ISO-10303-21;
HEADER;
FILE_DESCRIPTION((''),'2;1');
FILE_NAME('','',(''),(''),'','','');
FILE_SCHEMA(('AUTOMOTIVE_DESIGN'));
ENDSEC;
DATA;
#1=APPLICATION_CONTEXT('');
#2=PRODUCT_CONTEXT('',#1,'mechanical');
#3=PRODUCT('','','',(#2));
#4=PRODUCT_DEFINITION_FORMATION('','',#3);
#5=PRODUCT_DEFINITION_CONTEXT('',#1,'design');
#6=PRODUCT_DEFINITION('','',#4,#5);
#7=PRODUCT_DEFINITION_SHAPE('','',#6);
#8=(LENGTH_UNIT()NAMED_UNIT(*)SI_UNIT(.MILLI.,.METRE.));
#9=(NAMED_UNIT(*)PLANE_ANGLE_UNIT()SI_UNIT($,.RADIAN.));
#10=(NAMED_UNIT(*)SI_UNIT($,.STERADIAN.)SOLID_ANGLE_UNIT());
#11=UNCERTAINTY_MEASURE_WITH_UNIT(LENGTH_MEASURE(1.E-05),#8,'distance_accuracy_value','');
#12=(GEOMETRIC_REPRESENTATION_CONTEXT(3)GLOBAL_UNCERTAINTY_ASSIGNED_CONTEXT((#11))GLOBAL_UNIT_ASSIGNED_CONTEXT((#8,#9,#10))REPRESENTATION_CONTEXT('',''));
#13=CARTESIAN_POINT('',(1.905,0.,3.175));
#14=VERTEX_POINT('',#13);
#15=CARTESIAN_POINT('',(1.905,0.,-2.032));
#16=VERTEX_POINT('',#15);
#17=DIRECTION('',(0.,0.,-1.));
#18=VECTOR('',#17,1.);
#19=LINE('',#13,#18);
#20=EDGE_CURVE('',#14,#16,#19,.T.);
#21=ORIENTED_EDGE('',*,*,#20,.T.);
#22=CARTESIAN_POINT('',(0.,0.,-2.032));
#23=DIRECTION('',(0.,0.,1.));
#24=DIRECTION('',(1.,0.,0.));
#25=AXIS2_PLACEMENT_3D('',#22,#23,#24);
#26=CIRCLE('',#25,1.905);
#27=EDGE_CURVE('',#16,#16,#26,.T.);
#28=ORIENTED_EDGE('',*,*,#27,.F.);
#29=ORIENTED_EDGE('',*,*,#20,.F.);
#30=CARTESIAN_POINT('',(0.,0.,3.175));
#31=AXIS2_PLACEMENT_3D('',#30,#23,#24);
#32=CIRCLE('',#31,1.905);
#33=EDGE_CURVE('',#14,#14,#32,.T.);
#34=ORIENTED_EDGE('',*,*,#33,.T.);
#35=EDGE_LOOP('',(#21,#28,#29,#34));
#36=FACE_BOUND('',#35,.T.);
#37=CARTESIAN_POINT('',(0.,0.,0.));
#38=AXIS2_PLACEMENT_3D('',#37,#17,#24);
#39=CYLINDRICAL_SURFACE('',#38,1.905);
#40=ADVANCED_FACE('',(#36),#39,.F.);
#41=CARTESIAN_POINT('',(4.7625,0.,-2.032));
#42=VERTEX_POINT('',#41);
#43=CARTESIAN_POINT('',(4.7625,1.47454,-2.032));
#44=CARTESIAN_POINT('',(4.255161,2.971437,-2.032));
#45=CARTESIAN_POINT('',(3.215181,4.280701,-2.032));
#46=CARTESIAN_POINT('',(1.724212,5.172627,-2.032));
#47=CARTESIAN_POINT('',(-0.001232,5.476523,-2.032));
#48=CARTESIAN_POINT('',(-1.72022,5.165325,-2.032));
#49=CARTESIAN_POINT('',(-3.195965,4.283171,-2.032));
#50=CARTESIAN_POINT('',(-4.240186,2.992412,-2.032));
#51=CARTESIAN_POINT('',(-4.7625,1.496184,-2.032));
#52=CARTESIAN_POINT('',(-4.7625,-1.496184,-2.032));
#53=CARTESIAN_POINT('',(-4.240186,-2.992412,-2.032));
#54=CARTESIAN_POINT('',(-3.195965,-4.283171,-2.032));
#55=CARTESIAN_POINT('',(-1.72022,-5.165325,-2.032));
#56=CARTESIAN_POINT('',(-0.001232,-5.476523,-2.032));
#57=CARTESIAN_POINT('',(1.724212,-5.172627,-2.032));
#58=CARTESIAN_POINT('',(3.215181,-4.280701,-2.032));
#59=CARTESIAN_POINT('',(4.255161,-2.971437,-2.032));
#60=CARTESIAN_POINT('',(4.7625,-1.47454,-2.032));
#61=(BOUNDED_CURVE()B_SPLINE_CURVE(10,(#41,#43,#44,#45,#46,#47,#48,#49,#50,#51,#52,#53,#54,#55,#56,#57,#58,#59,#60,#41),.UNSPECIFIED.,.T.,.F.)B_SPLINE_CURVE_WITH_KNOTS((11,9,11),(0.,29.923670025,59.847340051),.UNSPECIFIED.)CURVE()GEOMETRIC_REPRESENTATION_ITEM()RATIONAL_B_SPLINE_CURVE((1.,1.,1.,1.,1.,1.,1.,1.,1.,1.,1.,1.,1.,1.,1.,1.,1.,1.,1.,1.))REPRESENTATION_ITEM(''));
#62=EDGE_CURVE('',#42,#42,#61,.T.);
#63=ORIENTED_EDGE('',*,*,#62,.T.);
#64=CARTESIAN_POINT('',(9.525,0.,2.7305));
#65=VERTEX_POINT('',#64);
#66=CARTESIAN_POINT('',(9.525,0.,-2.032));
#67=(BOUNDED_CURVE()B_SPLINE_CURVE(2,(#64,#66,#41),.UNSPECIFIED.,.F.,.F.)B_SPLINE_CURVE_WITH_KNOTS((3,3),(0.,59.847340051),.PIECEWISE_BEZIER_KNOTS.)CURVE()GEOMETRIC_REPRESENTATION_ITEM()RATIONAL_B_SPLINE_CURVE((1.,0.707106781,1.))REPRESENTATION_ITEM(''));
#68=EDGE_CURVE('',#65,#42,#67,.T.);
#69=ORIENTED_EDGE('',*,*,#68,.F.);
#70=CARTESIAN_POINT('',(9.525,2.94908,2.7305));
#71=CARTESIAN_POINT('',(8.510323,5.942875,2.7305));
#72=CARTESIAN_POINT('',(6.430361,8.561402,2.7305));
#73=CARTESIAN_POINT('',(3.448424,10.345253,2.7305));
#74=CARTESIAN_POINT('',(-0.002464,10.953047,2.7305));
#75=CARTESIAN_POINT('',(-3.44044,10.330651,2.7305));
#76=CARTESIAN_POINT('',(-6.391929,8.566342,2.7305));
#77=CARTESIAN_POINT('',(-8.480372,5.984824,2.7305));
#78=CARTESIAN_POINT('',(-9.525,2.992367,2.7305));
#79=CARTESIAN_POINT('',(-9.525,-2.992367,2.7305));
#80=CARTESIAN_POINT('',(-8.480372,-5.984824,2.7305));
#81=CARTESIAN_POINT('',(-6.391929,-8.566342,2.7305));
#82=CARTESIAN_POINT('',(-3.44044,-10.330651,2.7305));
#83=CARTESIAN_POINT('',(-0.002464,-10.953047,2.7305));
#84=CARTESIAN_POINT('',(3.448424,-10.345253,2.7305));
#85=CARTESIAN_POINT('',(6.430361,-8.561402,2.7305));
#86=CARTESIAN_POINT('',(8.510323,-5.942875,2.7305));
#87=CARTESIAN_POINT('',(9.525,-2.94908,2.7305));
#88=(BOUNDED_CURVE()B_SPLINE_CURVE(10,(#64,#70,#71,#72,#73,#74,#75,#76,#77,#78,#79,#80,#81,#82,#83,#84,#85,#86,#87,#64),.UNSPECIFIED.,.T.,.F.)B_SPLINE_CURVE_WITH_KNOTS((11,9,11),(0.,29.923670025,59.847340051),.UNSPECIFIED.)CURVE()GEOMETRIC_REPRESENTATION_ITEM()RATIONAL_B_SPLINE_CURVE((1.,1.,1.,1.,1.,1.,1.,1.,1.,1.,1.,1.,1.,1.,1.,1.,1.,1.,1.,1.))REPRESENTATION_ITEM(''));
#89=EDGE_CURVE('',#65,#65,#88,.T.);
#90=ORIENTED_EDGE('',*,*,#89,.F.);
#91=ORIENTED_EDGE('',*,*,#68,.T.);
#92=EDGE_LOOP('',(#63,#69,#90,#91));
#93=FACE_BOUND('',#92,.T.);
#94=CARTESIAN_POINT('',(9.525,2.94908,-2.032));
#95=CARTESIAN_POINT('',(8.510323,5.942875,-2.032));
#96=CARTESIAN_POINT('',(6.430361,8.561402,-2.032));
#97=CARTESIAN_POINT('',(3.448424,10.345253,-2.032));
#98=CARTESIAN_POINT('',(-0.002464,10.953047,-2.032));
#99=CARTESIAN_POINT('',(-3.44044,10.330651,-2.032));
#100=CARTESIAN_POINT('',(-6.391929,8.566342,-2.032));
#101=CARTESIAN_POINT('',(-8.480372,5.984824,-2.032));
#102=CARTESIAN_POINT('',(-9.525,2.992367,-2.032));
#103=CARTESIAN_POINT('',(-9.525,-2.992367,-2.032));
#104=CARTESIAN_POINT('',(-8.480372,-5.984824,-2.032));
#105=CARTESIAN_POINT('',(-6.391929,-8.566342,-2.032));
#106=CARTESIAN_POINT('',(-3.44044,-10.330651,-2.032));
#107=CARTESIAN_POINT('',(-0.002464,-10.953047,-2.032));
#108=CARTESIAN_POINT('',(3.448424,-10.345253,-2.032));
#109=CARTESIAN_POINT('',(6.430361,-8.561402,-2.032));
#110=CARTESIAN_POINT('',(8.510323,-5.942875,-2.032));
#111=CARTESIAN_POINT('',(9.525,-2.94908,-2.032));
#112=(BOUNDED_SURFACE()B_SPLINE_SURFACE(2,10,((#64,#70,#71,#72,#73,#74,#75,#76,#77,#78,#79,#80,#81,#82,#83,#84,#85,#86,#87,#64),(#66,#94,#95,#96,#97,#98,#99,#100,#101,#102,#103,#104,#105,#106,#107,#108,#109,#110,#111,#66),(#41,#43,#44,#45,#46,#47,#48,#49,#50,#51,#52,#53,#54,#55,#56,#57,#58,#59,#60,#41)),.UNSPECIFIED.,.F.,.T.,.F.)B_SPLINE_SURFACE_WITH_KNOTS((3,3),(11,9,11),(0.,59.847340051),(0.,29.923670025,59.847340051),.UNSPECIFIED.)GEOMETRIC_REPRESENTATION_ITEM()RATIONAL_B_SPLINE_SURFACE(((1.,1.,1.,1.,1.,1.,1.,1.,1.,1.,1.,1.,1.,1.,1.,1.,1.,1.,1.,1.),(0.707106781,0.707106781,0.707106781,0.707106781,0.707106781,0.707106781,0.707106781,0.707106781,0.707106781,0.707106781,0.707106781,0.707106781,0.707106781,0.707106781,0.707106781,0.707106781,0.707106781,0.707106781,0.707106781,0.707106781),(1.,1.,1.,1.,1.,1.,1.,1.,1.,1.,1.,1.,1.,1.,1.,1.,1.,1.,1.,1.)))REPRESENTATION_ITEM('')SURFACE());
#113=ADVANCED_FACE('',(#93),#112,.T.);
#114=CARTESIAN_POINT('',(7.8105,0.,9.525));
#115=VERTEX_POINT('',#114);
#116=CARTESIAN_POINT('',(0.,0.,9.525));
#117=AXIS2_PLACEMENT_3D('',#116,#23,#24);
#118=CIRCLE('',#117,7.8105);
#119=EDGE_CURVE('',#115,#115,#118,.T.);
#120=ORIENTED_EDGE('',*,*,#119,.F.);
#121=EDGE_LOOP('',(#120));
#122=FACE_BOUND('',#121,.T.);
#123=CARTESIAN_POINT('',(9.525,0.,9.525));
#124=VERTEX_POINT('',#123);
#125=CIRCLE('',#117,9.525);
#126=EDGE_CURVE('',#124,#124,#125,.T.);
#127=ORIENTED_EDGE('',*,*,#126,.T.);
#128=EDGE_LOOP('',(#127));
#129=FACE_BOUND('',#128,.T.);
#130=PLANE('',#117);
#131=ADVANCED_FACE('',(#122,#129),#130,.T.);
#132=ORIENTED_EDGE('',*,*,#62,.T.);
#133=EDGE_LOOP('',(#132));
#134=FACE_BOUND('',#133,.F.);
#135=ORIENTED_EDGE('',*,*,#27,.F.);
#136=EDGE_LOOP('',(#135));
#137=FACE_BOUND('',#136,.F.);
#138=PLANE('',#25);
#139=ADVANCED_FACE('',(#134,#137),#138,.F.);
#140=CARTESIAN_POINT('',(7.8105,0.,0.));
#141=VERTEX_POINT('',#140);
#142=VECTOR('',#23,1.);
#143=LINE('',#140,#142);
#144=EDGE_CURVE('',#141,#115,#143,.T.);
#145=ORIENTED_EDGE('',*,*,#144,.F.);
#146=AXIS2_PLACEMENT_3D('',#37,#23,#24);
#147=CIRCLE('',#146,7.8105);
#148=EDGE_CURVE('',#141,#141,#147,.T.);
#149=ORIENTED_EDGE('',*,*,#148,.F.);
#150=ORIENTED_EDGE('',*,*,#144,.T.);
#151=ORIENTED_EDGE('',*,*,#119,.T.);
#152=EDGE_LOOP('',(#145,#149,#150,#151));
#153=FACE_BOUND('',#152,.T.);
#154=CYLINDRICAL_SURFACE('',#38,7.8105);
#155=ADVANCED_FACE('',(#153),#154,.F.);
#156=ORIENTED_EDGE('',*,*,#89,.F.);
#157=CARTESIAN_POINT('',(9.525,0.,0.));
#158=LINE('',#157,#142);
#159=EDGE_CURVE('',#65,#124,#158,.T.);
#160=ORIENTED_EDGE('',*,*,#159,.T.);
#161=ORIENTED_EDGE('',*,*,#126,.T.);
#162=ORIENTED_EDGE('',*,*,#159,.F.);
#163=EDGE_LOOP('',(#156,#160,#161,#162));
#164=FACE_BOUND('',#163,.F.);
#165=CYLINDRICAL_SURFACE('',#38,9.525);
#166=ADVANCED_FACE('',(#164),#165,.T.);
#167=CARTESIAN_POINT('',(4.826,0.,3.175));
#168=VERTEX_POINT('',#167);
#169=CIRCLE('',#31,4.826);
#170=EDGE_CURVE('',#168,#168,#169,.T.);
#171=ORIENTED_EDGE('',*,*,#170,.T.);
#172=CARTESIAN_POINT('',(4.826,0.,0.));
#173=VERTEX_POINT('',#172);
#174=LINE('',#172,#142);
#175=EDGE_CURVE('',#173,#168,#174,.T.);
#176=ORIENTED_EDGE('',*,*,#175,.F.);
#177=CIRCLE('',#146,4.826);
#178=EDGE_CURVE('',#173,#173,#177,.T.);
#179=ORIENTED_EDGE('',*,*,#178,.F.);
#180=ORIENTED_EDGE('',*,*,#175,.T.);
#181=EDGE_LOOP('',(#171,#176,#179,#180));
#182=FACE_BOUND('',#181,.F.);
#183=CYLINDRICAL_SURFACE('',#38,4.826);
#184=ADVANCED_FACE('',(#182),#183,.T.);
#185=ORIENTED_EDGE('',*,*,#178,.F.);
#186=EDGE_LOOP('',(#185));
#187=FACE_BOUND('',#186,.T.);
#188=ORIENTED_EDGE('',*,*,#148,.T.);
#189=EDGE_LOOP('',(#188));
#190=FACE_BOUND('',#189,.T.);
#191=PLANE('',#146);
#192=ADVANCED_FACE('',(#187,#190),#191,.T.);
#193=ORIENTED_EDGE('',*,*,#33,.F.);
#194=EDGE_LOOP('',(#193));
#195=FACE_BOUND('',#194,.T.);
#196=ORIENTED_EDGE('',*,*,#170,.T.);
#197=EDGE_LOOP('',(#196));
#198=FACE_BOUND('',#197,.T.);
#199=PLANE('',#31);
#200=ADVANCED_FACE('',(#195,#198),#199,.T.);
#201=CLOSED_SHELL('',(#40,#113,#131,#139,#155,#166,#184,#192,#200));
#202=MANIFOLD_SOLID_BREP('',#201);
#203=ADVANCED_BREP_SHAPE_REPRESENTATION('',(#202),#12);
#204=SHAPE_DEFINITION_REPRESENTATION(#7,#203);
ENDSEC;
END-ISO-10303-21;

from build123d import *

# Parameters (mm, degrees)
F0_R     = 9.525
F0_R_2   = 7.8105
F0_R_3   = 6.096
F0_R_4   = 4.826
F0_R_5   = 1.905
F1_DEPTH = 2.032
F2_DEPTH = 9.525
F3_R     = 4.7625
F4_DEPTH = 3.175


with BuildPart() as f1:
    # F0 (on Top) → F1 (new body)
    with BuildSketch(Plane.XY):
        Circle(F0_R)
        Circle(F0_R_2, mode=Mode.SUBTRACT)
        Circle(F0_R_2)
        Circle(F0_R_3, mode=Mode.SUBTRACT)
        Circle(F0_R_3)
        Circle(F0_R_4, mode=Mode.SUBTRACT)
        Circle(F0_R_4)
        Circle(F0_R_5, mode=Mode.SUBTRACT)
    extrude(amount=-F1_DEPTH)

    # F0 (on Top) → F2 (join)
    with BuildSketch(Plane.XY):
        Circle(F0_R)
        Circle(F0_R_2, mode=Mode.SUBTRACT)
    extrude(amount=F2_DEPTH)

    # F3
    f3_edges = [f1.edges().sort_by_distance(p)[0] for p in [
        (-9.525, 0, -2.032),
    ]]
    fillet(f3_edges, radius=F3_R)

    # F0 (on Top) → F4 (join)
    with BuildSketch(Plane.XY):
        Circle(F0_R_4)
        Circle(F0_R_5, mode=Mode.SUBTRACT)
    extrude(amount=F4_DEPTH)


solid = f1.part
